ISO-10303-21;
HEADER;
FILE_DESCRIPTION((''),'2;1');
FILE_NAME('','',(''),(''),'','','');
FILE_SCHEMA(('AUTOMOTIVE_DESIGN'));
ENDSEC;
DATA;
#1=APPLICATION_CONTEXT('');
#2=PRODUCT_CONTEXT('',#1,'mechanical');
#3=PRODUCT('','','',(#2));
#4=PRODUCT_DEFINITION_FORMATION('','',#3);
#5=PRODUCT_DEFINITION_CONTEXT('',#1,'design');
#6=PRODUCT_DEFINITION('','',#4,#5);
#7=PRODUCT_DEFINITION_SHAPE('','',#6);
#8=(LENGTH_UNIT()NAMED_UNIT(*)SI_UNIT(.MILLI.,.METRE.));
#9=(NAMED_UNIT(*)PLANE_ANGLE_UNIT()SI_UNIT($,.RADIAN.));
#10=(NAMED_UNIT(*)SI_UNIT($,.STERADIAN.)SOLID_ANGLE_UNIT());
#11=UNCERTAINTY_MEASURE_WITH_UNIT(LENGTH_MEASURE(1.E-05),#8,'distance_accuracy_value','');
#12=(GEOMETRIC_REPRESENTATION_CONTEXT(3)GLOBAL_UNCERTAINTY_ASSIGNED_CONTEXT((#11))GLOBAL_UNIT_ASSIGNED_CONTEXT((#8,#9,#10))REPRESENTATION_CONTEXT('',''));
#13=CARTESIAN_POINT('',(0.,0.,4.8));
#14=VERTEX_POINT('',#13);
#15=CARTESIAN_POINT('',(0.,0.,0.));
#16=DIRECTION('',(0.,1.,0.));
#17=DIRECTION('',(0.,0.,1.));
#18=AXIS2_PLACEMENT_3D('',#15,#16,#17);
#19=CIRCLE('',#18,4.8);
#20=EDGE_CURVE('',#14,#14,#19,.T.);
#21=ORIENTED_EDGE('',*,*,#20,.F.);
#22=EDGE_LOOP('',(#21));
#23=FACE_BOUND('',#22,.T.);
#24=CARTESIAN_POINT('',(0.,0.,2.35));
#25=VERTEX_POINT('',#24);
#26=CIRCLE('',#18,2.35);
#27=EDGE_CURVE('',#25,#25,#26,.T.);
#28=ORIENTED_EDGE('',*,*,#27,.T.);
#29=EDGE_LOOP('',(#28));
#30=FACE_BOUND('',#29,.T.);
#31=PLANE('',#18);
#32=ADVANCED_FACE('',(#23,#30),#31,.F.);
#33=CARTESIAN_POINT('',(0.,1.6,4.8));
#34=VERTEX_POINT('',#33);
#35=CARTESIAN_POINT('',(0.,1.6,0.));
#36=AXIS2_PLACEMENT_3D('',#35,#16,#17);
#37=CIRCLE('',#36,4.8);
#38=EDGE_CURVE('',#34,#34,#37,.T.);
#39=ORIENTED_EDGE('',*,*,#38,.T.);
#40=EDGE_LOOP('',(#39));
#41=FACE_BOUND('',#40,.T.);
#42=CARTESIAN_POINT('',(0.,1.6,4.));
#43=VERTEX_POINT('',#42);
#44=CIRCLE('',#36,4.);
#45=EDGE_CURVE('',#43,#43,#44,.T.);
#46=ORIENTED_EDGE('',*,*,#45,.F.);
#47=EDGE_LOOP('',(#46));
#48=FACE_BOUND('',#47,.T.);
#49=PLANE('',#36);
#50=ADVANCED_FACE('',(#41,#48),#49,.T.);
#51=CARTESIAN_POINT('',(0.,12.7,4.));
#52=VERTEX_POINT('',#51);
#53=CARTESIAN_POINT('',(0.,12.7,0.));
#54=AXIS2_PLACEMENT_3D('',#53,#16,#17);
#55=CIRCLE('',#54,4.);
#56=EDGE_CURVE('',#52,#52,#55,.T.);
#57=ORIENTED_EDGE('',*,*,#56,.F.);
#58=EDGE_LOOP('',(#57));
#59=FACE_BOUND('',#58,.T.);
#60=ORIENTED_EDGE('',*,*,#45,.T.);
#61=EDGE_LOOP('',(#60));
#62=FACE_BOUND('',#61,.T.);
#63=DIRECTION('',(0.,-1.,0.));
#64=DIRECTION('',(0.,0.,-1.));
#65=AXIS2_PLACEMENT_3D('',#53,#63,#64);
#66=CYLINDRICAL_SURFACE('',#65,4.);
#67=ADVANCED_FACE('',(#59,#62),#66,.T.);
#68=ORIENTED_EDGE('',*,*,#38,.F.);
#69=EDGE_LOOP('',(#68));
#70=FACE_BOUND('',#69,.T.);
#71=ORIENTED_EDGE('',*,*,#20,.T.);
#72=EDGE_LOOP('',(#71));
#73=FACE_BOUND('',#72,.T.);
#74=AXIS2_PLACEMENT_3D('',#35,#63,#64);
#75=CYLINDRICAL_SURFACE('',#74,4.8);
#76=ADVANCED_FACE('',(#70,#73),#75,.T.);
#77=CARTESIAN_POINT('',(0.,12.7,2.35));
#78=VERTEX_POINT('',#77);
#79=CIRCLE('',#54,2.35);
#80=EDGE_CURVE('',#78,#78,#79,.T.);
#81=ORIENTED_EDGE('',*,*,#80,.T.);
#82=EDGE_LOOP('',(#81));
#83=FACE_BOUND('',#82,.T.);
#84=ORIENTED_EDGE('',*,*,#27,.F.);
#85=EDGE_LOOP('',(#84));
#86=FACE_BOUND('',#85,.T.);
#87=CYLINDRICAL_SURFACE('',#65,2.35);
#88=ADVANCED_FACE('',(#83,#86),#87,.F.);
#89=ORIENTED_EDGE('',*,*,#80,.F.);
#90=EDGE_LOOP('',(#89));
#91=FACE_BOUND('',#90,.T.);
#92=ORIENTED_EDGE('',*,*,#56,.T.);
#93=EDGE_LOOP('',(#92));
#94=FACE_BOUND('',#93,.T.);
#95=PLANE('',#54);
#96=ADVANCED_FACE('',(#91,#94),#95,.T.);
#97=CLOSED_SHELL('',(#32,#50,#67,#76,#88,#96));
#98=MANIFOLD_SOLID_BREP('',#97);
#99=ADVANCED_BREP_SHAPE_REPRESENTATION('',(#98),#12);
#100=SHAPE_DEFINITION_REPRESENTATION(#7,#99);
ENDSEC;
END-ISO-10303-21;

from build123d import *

# Parameters (mm, degrees)
SKETCH_1_R      = 4
SKETCH_1_R_2    = 2.35
EXTRUDE_1_DEPTH = 12.7
SKETCH_1_3_R    = 4.8
SKETCH_1_3_R_2  = 4
EXTRUDE_2_DEPTH = 1.6


with BuildPart() as part:
    # 스케치1 → 보스-돌출1 (new body)
    with BuildSketch(Plane(origin=(0, 0, 0), x_dir=(1, 0, 0), z_dir=(0, 1, 0))):
        Circle(SKETCH_1_R)
        Circle(SKETCH_1_R_2, mode=Mode.SUBTRACT)
    extrude(amount=EXTRUDE_1_DEPTH)

    # 스케치1<3> → 보스-돌출2 (add)
    with BuildSketch(Plane(origin=(0, 0, 0), x_dir=(1, 0, 0), z_dir=(0, 1, 0))):
        Circle(SKETCH_1_3_R)
        Circle(SKETCH_1_3_R_2, mode=Mode.SUBTRACT)
    extrude(amount=EXTRUDE_2_DEPTH)


solid = part.part
